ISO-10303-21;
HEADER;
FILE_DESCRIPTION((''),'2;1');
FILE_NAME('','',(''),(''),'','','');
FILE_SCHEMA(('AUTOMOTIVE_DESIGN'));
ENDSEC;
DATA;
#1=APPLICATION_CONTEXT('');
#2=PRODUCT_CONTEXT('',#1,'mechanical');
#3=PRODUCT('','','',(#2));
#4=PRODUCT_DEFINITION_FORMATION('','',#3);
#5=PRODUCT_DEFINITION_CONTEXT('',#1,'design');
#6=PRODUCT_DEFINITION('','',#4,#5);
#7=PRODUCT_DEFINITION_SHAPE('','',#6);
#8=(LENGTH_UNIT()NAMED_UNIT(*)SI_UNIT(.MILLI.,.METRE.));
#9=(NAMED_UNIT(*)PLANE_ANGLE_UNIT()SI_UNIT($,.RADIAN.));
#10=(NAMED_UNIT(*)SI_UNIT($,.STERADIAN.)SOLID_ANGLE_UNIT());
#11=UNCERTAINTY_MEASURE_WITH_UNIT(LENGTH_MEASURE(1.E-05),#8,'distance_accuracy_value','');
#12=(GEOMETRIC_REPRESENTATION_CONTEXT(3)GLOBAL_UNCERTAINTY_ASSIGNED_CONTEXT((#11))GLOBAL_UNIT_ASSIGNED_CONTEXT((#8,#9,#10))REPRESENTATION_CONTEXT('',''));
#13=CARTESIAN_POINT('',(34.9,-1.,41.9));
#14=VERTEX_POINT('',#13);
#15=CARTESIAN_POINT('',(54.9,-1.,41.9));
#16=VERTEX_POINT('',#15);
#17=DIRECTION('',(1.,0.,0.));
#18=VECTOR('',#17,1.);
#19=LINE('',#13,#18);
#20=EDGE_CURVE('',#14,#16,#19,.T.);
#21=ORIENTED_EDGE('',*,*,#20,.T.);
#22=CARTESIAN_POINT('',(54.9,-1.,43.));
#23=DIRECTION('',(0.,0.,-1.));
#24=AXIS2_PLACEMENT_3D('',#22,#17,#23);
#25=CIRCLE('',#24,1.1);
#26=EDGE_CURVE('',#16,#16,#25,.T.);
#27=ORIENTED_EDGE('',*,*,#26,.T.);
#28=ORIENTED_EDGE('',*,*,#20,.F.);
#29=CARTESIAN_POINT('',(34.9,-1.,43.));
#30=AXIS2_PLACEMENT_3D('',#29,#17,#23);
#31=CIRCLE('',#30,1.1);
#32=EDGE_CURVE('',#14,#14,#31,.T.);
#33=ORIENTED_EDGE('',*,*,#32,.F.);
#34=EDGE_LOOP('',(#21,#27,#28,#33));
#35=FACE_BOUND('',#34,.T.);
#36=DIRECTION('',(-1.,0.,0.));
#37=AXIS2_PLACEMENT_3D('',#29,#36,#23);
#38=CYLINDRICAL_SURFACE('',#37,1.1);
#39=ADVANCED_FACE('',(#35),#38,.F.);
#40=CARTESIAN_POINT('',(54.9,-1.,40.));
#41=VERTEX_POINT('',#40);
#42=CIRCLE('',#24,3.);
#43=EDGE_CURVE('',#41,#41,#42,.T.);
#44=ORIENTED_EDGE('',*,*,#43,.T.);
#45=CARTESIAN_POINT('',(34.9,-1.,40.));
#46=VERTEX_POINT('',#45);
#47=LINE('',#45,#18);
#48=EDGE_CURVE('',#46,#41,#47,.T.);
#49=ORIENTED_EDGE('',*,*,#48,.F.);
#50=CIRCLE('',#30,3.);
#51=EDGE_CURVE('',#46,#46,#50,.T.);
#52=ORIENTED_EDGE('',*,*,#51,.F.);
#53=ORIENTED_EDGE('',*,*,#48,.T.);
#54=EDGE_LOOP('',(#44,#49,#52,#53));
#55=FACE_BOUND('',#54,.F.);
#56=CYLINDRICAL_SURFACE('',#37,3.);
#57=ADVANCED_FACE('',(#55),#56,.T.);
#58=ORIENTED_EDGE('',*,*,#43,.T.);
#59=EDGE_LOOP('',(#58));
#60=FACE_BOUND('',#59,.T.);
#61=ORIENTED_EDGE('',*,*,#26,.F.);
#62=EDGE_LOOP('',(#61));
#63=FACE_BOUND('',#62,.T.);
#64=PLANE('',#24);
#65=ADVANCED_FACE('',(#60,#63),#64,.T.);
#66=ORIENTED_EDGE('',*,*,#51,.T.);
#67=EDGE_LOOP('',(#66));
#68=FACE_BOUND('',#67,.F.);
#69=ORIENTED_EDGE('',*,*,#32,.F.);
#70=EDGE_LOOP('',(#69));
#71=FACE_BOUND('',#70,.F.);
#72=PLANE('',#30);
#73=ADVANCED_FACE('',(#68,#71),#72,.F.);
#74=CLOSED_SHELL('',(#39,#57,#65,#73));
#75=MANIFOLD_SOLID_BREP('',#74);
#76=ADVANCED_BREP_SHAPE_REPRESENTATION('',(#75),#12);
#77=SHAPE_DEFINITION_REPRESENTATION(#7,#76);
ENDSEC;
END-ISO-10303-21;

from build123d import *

# Parameters (mm, degrees)
HINGE_CYLLI_R     = 1.1
HINGE_CYLLI_DEPTH = 20
HINGE_CYLLO_R     = 3
HINGE_CYLLO_DEPTH = 20


with BuildPart() as hinge_cylli:
    # hinge_cylli → hinge_cylli (new body)
    with BuildSketch(Plane(origin=(34.9, -1, 43), x_dir=(0, 0, -1), z_dir=(1, 0, 0))):
        Circle(HINGE_CYLLI_R)
    extrude(amount=HINGE_CYLLI_DEPTH)


with BuildPart() as hinge_left:
    # hinge_cyllo → hinge_cyllo (new body)
    with BuildSketch(Plane(origin=(34.9, -1, 43), x_dir=(0, 0, -1), z_dir=(1, 0, 0))):
        Circle(HINGE_CYLLO_R)
    extrude(amount=HINGE_CYLLO_DEPTH)

    # hinge_left: cut hinge_cylli
    add(hinge_cylli.part, mode=Mode.SUBTRACT)


solid = hinge_left.part
